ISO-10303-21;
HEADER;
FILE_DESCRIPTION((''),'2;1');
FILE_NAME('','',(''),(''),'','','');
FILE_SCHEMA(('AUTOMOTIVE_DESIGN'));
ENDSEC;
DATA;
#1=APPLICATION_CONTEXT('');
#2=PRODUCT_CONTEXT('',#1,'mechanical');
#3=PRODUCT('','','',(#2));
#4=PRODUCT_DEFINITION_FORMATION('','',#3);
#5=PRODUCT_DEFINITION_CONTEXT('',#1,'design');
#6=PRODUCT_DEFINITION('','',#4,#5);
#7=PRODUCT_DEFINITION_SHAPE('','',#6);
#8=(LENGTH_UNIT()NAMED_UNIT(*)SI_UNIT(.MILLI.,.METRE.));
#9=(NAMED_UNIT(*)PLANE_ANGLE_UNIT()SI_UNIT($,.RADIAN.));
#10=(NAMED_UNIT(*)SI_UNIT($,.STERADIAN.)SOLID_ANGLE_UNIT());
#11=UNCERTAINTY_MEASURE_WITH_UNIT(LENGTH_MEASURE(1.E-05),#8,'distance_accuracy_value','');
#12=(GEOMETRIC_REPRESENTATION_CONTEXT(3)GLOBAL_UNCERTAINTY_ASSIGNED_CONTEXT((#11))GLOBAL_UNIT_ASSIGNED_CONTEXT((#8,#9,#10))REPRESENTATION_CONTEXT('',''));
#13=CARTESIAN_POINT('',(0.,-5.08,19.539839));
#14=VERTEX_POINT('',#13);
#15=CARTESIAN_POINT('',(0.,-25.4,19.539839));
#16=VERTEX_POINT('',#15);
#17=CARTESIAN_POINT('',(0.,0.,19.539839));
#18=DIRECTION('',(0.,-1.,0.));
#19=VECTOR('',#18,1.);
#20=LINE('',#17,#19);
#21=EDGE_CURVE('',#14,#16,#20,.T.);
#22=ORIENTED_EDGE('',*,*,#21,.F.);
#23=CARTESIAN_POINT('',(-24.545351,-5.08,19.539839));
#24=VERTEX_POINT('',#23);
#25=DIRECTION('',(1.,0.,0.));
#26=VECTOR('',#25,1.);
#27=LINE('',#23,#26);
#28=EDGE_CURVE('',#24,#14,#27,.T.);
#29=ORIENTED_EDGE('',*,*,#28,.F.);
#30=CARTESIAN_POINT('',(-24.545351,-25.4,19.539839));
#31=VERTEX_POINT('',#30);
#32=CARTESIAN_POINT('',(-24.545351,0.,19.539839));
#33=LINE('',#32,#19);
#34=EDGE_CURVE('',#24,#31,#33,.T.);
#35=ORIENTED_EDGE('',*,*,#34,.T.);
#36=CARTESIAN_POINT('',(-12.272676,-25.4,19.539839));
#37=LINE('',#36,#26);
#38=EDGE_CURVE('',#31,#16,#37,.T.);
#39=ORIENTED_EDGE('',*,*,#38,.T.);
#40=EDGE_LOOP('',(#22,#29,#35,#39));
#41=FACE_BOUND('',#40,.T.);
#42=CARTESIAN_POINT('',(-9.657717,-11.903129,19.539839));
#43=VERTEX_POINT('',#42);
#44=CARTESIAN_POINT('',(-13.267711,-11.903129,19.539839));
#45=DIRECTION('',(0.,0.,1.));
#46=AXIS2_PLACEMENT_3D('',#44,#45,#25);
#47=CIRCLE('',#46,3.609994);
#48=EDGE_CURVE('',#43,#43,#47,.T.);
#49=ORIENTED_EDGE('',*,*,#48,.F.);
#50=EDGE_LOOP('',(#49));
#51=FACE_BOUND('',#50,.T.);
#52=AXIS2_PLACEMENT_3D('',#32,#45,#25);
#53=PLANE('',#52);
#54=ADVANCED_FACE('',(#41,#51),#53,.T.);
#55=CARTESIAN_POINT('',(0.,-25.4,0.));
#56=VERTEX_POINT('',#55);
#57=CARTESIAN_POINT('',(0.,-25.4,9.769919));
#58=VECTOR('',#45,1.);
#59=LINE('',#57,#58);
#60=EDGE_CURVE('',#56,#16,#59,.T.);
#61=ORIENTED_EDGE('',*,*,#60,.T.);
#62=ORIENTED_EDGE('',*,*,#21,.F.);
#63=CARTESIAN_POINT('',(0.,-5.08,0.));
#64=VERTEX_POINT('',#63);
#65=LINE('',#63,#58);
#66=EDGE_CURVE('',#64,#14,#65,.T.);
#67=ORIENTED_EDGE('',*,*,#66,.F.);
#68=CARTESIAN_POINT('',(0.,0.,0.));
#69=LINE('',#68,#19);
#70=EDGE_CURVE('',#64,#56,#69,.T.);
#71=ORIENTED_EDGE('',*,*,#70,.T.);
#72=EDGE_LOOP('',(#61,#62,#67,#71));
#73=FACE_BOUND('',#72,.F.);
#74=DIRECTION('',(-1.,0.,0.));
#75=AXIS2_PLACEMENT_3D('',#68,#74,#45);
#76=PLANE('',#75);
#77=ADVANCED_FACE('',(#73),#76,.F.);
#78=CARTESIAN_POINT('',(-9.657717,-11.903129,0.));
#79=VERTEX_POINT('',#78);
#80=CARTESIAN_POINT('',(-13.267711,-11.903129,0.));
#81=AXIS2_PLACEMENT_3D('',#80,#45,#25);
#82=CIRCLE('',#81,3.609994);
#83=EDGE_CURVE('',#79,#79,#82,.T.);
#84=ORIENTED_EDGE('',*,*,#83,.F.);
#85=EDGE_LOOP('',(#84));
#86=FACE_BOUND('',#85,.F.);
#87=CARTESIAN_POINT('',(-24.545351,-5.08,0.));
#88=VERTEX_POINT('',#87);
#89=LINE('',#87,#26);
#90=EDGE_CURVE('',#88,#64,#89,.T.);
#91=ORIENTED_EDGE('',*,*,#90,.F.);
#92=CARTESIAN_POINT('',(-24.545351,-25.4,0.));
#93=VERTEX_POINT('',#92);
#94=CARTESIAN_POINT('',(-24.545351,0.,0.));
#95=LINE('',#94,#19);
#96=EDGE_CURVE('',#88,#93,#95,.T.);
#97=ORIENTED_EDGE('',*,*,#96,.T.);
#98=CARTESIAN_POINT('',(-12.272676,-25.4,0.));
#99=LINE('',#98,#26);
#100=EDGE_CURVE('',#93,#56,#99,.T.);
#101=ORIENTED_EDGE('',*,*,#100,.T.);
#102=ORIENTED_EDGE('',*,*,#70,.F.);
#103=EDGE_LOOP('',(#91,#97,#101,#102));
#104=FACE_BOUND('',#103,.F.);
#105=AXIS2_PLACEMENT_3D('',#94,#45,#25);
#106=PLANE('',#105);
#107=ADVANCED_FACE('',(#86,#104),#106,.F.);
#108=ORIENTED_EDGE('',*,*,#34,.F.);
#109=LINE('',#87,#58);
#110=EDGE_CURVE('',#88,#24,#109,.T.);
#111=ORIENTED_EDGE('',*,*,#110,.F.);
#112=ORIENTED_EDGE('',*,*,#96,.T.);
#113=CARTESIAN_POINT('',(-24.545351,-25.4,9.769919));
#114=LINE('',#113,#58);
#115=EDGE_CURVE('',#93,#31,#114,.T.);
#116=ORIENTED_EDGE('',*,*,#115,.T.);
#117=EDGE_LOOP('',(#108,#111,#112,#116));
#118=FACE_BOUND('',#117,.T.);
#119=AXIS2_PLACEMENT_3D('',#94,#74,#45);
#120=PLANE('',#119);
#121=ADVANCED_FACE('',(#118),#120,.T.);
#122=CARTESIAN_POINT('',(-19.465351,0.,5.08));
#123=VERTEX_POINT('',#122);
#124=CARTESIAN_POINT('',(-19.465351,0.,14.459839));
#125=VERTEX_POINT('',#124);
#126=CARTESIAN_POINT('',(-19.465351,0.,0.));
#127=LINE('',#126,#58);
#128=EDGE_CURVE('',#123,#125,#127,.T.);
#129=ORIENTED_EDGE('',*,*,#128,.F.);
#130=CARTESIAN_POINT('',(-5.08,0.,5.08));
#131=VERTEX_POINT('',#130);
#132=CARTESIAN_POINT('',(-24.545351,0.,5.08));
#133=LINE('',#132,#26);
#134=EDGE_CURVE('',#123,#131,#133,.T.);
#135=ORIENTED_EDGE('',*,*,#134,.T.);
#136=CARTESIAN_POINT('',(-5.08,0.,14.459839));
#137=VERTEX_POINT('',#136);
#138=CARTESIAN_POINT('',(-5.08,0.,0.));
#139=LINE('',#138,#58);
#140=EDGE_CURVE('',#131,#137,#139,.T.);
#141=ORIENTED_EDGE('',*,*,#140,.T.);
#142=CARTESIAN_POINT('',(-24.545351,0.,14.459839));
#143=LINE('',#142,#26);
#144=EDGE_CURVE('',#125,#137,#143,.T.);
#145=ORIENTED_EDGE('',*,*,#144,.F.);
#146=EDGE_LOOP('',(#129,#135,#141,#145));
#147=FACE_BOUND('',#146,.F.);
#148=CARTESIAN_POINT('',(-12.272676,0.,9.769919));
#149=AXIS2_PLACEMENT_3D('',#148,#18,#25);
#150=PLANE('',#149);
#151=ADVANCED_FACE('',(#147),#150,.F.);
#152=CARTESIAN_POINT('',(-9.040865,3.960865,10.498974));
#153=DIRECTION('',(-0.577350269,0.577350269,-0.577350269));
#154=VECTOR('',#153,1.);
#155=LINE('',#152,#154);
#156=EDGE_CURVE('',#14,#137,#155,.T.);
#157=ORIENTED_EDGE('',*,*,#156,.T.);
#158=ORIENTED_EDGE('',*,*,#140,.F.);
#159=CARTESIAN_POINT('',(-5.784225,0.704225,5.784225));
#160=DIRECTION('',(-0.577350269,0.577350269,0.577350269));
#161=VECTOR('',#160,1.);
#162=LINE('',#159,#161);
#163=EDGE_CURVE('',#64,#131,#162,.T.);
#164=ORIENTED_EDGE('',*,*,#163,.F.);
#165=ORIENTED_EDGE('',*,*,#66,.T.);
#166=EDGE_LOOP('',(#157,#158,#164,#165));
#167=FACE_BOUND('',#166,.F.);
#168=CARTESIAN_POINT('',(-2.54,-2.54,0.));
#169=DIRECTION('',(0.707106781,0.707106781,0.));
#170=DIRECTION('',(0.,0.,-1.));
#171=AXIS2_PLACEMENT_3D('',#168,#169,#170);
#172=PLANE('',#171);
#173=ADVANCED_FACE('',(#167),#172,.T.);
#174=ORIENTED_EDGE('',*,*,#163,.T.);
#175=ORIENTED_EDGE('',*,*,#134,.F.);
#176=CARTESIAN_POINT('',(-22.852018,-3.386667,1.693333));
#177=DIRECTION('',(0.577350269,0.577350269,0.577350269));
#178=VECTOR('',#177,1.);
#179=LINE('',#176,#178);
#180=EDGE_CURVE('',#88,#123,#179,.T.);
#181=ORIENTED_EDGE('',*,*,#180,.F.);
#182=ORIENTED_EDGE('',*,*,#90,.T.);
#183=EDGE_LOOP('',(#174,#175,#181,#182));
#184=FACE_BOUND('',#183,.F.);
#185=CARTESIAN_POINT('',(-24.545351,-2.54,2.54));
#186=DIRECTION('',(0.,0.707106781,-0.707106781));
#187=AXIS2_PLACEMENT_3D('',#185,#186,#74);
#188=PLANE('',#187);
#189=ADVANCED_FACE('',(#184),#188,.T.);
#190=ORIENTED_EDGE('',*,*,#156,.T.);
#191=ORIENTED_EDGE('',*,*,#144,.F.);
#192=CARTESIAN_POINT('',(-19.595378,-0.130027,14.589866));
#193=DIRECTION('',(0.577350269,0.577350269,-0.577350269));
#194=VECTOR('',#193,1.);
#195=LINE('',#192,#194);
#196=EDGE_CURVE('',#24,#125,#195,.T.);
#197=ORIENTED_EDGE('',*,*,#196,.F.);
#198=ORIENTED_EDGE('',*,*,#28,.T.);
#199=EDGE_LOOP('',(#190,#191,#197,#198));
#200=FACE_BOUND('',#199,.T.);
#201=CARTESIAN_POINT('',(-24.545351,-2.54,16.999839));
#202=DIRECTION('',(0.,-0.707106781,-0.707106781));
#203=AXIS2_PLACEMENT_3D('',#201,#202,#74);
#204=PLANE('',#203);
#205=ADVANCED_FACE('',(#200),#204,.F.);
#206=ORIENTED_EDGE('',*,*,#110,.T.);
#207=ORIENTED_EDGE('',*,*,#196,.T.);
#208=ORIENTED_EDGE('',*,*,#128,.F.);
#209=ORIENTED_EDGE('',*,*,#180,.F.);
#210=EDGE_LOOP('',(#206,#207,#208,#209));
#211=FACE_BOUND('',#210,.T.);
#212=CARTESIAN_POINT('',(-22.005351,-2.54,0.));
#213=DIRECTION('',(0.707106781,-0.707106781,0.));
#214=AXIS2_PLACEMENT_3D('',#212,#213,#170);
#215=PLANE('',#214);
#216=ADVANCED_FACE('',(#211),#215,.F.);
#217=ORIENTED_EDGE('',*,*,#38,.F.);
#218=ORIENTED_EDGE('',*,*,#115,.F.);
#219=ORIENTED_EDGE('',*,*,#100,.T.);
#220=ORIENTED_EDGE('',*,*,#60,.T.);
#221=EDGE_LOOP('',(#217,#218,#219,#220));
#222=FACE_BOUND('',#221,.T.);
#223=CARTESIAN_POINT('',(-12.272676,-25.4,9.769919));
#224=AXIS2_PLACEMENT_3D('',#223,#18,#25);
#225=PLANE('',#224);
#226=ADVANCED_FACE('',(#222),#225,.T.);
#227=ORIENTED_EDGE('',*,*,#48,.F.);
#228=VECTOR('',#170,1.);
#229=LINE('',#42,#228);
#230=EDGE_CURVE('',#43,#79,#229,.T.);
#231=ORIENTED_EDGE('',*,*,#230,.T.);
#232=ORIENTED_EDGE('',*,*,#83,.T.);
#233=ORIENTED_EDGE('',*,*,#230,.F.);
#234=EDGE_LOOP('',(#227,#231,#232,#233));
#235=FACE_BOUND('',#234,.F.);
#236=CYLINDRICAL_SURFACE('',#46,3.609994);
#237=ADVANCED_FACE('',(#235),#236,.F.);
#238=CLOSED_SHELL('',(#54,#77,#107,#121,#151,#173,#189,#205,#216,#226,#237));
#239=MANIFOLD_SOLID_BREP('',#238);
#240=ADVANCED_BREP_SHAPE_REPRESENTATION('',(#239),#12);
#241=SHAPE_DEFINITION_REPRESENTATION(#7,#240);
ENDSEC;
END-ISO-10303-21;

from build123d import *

# Parameters (mm, degrees)
F0_W     = 24.5453510433
F0_H     = 19.5398386568
F1_DEPTH = 25.4
F2_SIZE  = 5.08
F3_R     = 3.6099939591
F4_DEPTH = 19.5408386568


with BuildPart() as f1:
    # F0 (on Front) → F1 (new body)
    with BuildSketch(Plane.XZ):
        with Locations((-12.2726755217, 9.7699193284)):
            Rectangle(F0_W, F0_H)
    extrude(amount=F1_DEPTH)

    # F2
    f2_edges = [f1.edges().sort_by_distance(p)[0] for p in [
        (-12.272676, 0, 0),
        (0, 0, 9.769919),
        (-12.272676, 0, 19.539839),
        (-24.545351, 0, 9.769919),
    ]]
    chamfer(f2_edges, length=F2_SIZE)

    # F3 (on face) → F4 (cut, through all)
    with BuildSketch(Plane.XY.offset(19.5398386568)):
        with Locations((-13.2677108049, -11.9031285867)):
            Circle(F3_R)
    extrude(amount=-F4_DEPTH, mode=Mode.SUBTRACT)


solid = f1.part
